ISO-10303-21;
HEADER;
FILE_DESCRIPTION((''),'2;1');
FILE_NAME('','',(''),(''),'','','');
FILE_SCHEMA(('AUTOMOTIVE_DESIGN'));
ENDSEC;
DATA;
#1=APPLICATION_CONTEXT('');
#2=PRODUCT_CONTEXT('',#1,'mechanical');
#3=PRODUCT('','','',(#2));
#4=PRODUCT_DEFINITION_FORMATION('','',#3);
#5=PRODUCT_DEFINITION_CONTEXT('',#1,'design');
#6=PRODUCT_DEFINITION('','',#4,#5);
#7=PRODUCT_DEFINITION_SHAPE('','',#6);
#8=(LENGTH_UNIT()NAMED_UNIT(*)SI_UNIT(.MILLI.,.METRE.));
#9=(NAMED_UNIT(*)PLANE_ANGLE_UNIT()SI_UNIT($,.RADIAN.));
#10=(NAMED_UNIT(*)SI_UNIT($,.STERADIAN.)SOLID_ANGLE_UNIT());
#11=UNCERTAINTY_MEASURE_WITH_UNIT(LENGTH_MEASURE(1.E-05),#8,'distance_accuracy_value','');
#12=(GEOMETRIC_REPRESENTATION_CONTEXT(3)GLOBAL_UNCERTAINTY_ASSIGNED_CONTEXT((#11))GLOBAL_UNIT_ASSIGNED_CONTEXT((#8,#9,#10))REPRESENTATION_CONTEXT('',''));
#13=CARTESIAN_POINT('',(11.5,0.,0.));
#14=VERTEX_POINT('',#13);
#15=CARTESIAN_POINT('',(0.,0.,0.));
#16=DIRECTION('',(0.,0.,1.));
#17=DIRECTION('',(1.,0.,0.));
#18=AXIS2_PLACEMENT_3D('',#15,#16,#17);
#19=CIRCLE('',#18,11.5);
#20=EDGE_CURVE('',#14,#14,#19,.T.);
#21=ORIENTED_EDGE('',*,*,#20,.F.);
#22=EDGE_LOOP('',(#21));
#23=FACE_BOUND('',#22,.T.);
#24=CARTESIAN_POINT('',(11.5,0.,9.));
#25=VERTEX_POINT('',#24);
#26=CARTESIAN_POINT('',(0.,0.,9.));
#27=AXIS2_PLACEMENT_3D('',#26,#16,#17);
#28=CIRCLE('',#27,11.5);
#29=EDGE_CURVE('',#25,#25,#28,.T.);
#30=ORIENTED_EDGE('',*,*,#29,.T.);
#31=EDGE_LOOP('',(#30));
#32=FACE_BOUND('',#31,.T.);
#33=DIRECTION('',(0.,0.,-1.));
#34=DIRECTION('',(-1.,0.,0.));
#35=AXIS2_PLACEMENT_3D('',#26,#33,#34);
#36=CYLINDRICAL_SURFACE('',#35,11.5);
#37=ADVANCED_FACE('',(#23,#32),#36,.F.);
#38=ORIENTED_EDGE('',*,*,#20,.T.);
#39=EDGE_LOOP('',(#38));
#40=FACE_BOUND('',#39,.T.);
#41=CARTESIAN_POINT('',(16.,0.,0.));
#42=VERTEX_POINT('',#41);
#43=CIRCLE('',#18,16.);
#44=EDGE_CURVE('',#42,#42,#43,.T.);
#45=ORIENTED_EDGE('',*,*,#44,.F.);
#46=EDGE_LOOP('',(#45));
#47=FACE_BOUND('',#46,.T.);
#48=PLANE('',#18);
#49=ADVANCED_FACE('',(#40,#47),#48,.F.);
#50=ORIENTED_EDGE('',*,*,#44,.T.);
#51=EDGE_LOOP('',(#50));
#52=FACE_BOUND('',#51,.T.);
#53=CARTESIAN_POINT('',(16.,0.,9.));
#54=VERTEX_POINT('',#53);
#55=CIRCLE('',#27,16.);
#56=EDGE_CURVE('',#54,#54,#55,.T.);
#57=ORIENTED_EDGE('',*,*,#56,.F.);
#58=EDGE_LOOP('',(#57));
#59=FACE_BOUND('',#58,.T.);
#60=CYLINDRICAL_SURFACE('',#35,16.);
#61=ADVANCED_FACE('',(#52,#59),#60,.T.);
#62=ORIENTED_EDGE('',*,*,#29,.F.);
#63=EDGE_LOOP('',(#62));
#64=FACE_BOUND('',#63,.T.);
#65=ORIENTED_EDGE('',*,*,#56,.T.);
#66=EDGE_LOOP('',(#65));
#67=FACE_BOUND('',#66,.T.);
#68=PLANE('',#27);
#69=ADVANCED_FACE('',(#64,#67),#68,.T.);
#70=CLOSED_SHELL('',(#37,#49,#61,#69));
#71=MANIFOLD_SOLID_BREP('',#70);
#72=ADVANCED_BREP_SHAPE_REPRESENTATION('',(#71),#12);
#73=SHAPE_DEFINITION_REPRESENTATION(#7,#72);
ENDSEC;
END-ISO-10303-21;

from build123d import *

# Parameters (mm, degrees)
CROQUIS1_R              = 16
CROQUIS1_R_2            = 11.5
SALIENTE_EXTRUIR1_DEPTH = 9


with BuildPart() as part:
    # Croquis1 → Saliente-Extruir1 (new body)
    with BuildSketch(Plane.XY):
        Circle(CROQUIS1_R)
        Circle(CROQUIS1_R_2, mode=Mode.SUBTRACT)
    extrude(amount=SALIENTE_EXTRUIR1_DEPTH)


solid = part.part
